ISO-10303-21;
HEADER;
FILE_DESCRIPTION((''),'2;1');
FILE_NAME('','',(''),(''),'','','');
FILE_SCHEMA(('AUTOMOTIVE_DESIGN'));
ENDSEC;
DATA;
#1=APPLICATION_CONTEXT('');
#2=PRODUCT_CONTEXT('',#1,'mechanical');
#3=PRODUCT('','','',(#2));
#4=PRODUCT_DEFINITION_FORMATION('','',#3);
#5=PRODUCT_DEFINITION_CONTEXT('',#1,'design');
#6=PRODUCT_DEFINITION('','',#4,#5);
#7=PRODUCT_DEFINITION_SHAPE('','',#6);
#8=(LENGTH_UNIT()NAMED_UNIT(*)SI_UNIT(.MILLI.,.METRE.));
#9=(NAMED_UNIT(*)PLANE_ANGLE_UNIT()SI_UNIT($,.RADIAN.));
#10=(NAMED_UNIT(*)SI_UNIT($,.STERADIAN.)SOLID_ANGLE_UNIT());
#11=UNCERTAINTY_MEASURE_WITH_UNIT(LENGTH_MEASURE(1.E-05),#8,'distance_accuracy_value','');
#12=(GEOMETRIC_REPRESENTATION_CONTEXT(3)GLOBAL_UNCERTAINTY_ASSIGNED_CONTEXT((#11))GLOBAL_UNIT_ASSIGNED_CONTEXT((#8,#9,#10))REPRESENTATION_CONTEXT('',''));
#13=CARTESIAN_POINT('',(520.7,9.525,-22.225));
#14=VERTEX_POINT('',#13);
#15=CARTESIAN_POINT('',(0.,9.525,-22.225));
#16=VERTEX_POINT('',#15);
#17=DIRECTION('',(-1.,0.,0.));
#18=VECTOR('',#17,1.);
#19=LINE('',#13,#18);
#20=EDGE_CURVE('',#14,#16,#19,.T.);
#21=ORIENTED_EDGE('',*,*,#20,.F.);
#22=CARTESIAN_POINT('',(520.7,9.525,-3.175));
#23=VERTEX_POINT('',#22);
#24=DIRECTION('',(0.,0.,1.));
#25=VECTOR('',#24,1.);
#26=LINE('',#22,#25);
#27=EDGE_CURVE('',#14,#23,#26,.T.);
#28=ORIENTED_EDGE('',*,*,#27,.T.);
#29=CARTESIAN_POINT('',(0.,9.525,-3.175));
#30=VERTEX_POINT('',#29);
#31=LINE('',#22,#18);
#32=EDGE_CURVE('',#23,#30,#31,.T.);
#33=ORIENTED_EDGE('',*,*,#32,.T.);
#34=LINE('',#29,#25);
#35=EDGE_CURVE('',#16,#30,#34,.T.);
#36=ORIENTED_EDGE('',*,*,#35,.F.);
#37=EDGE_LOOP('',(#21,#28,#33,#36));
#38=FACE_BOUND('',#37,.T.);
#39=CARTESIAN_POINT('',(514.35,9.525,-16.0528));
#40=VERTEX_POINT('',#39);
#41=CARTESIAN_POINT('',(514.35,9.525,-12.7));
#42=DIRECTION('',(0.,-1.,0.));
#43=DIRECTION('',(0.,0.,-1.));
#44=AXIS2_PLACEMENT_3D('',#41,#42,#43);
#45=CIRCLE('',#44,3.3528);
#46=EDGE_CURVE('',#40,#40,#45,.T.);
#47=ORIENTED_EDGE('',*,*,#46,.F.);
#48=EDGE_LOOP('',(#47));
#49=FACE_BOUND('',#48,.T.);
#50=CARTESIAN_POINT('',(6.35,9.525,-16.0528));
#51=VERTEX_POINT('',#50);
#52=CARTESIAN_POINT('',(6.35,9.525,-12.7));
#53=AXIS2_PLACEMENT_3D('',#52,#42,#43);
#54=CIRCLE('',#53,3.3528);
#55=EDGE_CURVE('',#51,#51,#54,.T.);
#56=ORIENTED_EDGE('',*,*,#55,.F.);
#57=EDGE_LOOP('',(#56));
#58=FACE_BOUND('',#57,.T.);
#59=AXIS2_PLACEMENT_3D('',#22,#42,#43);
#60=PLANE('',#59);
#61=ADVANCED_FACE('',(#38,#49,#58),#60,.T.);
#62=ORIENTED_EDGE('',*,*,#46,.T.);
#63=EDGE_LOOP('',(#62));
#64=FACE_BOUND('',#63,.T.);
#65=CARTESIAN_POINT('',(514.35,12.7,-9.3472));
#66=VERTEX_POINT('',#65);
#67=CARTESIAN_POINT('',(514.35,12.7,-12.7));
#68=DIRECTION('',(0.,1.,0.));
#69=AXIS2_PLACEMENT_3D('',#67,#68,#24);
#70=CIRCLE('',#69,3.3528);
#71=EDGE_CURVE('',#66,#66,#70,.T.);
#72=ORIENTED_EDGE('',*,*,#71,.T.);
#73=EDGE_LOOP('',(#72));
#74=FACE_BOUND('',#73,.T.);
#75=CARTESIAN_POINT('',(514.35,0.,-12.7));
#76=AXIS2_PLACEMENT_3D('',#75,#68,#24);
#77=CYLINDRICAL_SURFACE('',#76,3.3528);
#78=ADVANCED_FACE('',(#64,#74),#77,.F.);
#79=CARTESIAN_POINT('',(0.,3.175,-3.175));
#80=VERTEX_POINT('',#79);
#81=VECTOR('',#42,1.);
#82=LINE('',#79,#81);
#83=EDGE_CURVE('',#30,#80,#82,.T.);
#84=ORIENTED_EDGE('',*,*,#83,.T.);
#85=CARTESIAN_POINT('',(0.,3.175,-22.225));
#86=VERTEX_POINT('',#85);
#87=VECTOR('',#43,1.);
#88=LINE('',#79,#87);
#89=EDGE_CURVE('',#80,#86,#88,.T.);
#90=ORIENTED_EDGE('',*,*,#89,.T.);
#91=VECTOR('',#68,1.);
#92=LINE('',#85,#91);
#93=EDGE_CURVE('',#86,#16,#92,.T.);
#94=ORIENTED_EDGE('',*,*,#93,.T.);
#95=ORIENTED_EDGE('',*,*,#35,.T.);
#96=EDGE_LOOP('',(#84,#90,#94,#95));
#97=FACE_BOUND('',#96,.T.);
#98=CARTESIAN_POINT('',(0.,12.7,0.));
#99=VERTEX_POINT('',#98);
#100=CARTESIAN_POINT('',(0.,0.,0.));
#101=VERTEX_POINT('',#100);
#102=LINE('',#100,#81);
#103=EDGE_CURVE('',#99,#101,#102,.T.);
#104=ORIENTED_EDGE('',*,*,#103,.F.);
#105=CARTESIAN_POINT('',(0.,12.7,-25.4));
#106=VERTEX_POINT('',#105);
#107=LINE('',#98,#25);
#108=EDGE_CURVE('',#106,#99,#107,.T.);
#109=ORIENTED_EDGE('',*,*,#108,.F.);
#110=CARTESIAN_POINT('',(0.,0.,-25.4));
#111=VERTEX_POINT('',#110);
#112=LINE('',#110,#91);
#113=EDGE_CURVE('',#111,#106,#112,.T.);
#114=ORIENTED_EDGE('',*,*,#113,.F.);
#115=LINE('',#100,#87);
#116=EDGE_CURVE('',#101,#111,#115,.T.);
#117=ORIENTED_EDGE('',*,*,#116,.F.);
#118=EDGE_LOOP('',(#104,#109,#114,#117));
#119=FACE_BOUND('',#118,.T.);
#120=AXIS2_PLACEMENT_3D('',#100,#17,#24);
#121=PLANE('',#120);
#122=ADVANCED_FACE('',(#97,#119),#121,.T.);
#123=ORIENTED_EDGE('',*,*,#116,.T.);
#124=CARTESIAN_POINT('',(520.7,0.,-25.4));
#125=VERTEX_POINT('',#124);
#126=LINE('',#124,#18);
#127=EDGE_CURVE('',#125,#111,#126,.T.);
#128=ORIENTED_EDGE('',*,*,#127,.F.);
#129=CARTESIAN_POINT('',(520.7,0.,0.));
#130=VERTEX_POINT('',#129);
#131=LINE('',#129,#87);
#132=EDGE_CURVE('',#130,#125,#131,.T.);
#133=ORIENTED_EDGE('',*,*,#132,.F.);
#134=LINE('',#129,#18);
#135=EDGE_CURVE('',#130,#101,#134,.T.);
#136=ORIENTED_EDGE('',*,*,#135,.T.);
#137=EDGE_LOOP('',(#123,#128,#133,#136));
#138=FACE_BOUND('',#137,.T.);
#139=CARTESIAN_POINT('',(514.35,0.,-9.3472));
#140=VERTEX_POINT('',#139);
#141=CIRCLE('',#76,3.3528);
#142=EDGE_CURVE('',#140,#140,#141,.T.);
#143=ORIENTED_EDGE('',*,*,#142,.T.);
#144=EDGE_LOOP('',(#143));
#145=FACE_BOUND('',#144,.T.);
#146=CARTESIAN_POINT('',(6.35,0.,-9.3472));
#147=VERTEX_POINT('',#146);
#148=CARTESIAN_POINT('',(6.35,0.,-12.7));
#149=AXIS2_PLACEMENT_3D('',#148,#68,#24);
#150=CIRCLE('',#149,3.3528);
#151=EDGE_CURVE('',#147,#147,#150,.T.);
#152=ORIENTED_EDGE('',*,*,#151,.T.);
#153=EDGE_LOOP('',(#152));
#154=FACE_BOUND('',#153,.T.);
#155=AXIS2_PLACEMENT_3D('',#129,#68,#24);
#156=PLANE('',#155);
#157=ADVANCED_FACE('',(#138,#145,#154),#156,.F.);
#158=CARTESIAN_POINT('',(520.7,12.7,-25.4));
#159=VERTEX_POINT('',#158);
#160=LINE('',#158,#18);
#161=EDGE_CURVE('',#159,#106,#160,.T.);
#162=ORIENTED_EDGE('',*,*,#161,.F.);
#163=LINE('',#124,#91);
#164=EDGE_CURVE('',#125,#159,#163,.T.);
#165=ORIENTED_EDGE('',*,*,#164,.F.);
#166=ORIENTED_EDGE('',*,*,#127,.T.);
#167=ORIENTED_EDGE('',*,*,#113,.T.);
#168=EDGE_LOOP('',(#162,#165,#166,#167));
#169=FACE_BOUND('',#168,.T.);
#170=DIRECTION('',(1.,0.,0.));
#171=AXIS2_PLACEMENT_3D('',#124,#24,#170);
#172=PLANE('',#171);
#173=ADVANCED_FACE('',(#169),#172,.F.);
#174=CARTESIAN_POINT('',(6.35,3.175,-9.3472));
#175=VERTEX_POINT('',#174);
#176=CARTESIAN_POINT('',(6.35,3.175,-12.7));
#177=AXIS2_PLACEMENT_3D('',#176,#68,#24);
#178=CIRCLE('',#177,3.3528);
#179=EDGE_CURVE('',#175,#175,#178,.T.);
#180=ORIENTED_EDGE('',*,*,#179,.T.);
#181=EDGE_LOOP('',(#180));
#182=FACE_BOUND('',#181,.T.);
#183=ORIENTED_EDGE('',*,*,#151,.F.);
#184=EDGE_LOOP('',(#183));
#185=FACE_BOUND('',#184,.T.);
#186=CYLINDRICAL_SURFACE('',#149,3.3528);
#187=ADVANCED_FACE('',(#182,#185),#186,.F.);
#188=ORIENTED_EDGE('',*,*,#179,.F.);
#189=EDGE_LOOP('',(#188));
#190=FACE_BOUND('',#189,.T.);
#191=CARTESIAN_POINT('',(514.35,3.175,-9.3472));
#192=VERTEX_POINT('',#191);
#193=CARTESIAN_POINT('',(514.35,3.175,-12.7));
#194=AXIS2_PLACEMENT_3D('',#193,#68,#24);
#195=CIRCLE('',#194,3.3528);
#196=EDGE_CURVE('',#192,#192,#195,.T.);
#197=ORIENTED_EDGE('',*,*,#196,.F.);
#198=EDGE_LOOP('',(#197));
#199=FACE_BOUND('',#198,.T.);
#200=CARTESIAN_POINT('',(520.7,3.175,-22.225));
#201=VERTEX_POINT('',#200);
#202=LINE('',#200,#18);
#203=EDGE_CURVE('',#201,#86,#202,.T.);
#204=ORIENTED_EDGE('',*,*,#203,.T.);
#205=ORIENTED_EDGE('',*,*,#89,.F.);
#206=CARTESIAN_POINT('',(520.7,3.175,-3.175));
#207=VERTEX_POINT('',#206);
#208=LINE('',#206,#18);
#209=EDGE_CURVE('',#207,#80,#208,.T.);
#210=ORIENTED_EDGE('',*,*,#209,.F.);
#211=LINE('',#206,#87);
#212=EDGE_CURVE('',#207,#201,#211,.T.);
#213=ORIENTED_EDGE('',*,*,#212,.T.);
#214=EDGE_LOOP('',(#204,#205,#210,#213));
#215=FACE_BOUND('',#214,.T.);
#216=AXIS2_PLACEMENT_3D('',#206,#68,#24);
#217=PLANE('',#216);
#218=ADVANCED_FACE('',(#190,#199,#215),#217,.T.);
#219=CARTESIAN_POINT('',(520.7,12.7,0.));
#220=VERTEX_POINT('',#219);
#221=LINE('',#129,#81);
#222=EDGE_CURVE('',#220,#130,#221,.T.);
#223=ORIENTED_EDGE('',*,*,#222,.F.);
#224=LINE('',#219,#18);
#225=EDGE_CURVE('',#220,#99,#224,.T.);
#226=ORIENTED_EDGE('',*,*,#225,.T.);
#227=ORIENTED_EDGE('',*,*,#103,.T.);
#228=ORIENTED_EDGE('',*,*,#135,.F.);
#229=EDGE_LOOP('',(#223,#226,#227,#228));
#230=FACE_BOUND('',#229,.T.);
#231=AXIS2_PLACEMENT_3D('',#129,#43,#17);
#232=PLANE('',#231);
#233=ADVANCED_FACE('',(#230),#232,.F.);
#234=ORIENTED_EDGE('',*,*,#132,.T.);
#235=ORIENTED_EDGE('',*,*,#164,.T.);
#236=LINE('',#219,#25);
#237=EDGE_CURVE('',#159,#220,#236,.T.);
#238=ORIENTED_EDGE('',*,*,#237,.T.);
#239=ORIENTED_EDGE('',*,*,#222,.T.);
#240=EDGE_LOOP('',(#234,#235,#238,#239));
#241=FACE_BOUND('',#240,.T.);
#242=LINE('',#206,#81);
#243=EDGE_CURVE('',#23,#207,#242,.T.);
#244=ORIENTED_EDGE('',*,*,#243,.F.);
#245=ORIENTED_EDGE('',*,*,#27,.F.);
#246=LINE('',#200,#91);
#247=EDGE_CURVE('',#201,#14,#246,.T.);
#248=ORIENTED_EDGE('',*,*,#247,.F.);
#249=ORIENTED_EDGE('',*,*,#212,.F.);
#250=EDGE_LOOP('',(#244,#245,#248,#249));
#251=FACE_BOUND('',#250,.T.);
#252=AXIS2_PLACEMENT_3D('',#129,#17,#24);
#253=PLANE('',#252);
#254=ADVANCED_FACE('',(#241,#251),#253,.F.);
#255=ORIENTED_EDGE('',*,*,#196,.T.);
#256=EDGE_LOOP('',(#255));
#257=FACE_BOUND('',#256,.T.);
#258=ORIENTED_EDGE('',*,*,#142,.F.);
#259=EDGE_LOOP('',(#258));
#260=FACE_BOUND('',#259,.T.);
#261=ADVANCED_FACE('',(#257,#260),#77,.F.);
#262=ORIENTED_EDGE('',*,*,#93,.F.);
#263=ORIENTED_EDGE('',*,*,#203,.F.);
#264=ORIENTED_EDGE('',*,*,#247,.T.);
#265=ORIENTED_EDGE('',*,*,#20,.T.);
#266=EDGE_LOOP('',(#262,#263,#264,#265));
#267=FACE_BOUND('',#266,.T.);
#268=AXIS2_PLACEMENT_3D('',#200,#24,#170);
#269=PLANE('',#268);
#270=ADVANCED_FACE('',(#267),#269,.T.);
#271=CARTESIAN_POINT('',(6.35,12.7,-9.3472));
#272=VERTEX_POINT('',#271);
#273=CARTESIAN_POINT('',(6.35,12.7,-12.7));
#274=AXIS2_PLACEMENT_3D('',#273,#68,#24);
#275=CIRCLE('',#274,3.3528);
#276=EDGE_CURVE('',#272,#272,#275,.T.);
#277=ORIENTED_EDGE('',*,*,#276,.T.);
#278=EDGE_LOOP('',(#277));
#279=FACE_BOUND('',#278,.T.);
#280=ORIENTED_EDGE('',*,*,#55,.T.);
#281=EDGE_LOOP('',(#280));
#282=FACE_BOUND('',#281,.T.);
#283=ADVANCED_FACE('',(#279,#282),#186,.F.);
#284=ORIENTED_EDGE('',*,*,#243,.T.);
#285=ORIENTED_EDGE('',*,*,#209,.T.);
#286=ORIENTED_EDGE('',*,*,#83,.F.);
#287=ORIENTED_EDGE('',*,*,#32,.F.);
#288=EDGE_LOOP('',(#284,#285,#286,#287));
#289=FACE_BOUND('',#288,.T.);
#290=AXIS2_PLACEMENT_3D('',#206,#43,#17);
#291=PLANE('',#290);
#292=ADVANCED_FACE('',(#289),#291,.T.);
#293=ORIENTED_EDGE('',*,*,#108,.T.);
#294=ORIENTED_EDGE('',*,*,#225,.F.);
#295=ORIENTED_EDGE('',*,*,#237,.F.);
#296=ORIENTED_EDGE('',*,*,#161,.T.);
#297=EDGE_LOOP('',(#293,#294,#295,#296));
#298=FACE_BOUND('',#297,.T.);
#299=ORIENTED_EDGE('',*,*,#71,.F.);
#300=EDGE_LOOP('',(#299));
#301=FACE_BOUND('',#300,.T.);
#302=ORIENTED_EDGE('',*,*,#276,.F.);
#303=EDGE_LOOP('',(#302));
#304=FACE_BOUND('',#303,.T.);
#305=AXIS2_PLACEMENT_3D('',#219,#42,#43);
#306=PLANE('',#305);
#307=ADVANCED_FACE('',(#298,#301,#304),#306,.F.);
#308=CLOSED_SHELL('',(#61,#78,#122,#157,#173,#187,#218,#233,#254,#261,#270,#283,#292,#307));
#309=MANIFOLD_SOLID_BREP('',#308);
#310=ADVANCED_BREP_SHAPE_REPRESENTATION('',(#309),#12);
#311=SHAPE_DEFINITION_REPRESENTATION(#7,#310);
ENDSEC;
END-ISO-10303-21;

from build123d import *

# Parameters (mm, degrees)
SKETCH1_W           = 25.4
SKETCH1_H           = 12.7
SKETCH1_W_2         = 19.05
SKETCH1_H_2         = 6.35
BOSS_EXTRUDE1_DEPTH = 520.7
SKETCH2_R           = 3.3528
CUT_EXTRUDE1_DEPTH  = 13.7


with BuildPart() as part:
    # Sketch1 → Boss-Extrude1 (new body)
    with BuildSketch(Plane(origin=(0, 0, 0), x_dir=(0, 0, -1), z_dir=(1, 0, 0))):
        with Locations((12.7, 6.35)):
            Rectangle(SKETCH1_W, SKETCH1_H)
        with Locations((12.7, 6.35)):
            Rectangle(SKETCH1_W_2, SKETCH1_H_2, mode=Mode.SUBTRACT)
    extrude(amount=BOSS_EXTRUDE1_DEPTH)

    # Sketch2 → Cut-Extrude1 (cut, through all)
    with BuildSketch(Plane(origin=(0, 12.7, 0), x_dir=(1, 0, 0), z_dir=(0, 1, 0))):
        with Locations((6.35, 12.7)):
            Circle(SKETCH2_R)
        with Locations((514.35, 12.7)):
            Circle(SKETCH2_R)
    extrude(amount=-CUT_EXTRUDE1_DEPTH, mode=Mode.SUBTRACT)


solid = part.part
